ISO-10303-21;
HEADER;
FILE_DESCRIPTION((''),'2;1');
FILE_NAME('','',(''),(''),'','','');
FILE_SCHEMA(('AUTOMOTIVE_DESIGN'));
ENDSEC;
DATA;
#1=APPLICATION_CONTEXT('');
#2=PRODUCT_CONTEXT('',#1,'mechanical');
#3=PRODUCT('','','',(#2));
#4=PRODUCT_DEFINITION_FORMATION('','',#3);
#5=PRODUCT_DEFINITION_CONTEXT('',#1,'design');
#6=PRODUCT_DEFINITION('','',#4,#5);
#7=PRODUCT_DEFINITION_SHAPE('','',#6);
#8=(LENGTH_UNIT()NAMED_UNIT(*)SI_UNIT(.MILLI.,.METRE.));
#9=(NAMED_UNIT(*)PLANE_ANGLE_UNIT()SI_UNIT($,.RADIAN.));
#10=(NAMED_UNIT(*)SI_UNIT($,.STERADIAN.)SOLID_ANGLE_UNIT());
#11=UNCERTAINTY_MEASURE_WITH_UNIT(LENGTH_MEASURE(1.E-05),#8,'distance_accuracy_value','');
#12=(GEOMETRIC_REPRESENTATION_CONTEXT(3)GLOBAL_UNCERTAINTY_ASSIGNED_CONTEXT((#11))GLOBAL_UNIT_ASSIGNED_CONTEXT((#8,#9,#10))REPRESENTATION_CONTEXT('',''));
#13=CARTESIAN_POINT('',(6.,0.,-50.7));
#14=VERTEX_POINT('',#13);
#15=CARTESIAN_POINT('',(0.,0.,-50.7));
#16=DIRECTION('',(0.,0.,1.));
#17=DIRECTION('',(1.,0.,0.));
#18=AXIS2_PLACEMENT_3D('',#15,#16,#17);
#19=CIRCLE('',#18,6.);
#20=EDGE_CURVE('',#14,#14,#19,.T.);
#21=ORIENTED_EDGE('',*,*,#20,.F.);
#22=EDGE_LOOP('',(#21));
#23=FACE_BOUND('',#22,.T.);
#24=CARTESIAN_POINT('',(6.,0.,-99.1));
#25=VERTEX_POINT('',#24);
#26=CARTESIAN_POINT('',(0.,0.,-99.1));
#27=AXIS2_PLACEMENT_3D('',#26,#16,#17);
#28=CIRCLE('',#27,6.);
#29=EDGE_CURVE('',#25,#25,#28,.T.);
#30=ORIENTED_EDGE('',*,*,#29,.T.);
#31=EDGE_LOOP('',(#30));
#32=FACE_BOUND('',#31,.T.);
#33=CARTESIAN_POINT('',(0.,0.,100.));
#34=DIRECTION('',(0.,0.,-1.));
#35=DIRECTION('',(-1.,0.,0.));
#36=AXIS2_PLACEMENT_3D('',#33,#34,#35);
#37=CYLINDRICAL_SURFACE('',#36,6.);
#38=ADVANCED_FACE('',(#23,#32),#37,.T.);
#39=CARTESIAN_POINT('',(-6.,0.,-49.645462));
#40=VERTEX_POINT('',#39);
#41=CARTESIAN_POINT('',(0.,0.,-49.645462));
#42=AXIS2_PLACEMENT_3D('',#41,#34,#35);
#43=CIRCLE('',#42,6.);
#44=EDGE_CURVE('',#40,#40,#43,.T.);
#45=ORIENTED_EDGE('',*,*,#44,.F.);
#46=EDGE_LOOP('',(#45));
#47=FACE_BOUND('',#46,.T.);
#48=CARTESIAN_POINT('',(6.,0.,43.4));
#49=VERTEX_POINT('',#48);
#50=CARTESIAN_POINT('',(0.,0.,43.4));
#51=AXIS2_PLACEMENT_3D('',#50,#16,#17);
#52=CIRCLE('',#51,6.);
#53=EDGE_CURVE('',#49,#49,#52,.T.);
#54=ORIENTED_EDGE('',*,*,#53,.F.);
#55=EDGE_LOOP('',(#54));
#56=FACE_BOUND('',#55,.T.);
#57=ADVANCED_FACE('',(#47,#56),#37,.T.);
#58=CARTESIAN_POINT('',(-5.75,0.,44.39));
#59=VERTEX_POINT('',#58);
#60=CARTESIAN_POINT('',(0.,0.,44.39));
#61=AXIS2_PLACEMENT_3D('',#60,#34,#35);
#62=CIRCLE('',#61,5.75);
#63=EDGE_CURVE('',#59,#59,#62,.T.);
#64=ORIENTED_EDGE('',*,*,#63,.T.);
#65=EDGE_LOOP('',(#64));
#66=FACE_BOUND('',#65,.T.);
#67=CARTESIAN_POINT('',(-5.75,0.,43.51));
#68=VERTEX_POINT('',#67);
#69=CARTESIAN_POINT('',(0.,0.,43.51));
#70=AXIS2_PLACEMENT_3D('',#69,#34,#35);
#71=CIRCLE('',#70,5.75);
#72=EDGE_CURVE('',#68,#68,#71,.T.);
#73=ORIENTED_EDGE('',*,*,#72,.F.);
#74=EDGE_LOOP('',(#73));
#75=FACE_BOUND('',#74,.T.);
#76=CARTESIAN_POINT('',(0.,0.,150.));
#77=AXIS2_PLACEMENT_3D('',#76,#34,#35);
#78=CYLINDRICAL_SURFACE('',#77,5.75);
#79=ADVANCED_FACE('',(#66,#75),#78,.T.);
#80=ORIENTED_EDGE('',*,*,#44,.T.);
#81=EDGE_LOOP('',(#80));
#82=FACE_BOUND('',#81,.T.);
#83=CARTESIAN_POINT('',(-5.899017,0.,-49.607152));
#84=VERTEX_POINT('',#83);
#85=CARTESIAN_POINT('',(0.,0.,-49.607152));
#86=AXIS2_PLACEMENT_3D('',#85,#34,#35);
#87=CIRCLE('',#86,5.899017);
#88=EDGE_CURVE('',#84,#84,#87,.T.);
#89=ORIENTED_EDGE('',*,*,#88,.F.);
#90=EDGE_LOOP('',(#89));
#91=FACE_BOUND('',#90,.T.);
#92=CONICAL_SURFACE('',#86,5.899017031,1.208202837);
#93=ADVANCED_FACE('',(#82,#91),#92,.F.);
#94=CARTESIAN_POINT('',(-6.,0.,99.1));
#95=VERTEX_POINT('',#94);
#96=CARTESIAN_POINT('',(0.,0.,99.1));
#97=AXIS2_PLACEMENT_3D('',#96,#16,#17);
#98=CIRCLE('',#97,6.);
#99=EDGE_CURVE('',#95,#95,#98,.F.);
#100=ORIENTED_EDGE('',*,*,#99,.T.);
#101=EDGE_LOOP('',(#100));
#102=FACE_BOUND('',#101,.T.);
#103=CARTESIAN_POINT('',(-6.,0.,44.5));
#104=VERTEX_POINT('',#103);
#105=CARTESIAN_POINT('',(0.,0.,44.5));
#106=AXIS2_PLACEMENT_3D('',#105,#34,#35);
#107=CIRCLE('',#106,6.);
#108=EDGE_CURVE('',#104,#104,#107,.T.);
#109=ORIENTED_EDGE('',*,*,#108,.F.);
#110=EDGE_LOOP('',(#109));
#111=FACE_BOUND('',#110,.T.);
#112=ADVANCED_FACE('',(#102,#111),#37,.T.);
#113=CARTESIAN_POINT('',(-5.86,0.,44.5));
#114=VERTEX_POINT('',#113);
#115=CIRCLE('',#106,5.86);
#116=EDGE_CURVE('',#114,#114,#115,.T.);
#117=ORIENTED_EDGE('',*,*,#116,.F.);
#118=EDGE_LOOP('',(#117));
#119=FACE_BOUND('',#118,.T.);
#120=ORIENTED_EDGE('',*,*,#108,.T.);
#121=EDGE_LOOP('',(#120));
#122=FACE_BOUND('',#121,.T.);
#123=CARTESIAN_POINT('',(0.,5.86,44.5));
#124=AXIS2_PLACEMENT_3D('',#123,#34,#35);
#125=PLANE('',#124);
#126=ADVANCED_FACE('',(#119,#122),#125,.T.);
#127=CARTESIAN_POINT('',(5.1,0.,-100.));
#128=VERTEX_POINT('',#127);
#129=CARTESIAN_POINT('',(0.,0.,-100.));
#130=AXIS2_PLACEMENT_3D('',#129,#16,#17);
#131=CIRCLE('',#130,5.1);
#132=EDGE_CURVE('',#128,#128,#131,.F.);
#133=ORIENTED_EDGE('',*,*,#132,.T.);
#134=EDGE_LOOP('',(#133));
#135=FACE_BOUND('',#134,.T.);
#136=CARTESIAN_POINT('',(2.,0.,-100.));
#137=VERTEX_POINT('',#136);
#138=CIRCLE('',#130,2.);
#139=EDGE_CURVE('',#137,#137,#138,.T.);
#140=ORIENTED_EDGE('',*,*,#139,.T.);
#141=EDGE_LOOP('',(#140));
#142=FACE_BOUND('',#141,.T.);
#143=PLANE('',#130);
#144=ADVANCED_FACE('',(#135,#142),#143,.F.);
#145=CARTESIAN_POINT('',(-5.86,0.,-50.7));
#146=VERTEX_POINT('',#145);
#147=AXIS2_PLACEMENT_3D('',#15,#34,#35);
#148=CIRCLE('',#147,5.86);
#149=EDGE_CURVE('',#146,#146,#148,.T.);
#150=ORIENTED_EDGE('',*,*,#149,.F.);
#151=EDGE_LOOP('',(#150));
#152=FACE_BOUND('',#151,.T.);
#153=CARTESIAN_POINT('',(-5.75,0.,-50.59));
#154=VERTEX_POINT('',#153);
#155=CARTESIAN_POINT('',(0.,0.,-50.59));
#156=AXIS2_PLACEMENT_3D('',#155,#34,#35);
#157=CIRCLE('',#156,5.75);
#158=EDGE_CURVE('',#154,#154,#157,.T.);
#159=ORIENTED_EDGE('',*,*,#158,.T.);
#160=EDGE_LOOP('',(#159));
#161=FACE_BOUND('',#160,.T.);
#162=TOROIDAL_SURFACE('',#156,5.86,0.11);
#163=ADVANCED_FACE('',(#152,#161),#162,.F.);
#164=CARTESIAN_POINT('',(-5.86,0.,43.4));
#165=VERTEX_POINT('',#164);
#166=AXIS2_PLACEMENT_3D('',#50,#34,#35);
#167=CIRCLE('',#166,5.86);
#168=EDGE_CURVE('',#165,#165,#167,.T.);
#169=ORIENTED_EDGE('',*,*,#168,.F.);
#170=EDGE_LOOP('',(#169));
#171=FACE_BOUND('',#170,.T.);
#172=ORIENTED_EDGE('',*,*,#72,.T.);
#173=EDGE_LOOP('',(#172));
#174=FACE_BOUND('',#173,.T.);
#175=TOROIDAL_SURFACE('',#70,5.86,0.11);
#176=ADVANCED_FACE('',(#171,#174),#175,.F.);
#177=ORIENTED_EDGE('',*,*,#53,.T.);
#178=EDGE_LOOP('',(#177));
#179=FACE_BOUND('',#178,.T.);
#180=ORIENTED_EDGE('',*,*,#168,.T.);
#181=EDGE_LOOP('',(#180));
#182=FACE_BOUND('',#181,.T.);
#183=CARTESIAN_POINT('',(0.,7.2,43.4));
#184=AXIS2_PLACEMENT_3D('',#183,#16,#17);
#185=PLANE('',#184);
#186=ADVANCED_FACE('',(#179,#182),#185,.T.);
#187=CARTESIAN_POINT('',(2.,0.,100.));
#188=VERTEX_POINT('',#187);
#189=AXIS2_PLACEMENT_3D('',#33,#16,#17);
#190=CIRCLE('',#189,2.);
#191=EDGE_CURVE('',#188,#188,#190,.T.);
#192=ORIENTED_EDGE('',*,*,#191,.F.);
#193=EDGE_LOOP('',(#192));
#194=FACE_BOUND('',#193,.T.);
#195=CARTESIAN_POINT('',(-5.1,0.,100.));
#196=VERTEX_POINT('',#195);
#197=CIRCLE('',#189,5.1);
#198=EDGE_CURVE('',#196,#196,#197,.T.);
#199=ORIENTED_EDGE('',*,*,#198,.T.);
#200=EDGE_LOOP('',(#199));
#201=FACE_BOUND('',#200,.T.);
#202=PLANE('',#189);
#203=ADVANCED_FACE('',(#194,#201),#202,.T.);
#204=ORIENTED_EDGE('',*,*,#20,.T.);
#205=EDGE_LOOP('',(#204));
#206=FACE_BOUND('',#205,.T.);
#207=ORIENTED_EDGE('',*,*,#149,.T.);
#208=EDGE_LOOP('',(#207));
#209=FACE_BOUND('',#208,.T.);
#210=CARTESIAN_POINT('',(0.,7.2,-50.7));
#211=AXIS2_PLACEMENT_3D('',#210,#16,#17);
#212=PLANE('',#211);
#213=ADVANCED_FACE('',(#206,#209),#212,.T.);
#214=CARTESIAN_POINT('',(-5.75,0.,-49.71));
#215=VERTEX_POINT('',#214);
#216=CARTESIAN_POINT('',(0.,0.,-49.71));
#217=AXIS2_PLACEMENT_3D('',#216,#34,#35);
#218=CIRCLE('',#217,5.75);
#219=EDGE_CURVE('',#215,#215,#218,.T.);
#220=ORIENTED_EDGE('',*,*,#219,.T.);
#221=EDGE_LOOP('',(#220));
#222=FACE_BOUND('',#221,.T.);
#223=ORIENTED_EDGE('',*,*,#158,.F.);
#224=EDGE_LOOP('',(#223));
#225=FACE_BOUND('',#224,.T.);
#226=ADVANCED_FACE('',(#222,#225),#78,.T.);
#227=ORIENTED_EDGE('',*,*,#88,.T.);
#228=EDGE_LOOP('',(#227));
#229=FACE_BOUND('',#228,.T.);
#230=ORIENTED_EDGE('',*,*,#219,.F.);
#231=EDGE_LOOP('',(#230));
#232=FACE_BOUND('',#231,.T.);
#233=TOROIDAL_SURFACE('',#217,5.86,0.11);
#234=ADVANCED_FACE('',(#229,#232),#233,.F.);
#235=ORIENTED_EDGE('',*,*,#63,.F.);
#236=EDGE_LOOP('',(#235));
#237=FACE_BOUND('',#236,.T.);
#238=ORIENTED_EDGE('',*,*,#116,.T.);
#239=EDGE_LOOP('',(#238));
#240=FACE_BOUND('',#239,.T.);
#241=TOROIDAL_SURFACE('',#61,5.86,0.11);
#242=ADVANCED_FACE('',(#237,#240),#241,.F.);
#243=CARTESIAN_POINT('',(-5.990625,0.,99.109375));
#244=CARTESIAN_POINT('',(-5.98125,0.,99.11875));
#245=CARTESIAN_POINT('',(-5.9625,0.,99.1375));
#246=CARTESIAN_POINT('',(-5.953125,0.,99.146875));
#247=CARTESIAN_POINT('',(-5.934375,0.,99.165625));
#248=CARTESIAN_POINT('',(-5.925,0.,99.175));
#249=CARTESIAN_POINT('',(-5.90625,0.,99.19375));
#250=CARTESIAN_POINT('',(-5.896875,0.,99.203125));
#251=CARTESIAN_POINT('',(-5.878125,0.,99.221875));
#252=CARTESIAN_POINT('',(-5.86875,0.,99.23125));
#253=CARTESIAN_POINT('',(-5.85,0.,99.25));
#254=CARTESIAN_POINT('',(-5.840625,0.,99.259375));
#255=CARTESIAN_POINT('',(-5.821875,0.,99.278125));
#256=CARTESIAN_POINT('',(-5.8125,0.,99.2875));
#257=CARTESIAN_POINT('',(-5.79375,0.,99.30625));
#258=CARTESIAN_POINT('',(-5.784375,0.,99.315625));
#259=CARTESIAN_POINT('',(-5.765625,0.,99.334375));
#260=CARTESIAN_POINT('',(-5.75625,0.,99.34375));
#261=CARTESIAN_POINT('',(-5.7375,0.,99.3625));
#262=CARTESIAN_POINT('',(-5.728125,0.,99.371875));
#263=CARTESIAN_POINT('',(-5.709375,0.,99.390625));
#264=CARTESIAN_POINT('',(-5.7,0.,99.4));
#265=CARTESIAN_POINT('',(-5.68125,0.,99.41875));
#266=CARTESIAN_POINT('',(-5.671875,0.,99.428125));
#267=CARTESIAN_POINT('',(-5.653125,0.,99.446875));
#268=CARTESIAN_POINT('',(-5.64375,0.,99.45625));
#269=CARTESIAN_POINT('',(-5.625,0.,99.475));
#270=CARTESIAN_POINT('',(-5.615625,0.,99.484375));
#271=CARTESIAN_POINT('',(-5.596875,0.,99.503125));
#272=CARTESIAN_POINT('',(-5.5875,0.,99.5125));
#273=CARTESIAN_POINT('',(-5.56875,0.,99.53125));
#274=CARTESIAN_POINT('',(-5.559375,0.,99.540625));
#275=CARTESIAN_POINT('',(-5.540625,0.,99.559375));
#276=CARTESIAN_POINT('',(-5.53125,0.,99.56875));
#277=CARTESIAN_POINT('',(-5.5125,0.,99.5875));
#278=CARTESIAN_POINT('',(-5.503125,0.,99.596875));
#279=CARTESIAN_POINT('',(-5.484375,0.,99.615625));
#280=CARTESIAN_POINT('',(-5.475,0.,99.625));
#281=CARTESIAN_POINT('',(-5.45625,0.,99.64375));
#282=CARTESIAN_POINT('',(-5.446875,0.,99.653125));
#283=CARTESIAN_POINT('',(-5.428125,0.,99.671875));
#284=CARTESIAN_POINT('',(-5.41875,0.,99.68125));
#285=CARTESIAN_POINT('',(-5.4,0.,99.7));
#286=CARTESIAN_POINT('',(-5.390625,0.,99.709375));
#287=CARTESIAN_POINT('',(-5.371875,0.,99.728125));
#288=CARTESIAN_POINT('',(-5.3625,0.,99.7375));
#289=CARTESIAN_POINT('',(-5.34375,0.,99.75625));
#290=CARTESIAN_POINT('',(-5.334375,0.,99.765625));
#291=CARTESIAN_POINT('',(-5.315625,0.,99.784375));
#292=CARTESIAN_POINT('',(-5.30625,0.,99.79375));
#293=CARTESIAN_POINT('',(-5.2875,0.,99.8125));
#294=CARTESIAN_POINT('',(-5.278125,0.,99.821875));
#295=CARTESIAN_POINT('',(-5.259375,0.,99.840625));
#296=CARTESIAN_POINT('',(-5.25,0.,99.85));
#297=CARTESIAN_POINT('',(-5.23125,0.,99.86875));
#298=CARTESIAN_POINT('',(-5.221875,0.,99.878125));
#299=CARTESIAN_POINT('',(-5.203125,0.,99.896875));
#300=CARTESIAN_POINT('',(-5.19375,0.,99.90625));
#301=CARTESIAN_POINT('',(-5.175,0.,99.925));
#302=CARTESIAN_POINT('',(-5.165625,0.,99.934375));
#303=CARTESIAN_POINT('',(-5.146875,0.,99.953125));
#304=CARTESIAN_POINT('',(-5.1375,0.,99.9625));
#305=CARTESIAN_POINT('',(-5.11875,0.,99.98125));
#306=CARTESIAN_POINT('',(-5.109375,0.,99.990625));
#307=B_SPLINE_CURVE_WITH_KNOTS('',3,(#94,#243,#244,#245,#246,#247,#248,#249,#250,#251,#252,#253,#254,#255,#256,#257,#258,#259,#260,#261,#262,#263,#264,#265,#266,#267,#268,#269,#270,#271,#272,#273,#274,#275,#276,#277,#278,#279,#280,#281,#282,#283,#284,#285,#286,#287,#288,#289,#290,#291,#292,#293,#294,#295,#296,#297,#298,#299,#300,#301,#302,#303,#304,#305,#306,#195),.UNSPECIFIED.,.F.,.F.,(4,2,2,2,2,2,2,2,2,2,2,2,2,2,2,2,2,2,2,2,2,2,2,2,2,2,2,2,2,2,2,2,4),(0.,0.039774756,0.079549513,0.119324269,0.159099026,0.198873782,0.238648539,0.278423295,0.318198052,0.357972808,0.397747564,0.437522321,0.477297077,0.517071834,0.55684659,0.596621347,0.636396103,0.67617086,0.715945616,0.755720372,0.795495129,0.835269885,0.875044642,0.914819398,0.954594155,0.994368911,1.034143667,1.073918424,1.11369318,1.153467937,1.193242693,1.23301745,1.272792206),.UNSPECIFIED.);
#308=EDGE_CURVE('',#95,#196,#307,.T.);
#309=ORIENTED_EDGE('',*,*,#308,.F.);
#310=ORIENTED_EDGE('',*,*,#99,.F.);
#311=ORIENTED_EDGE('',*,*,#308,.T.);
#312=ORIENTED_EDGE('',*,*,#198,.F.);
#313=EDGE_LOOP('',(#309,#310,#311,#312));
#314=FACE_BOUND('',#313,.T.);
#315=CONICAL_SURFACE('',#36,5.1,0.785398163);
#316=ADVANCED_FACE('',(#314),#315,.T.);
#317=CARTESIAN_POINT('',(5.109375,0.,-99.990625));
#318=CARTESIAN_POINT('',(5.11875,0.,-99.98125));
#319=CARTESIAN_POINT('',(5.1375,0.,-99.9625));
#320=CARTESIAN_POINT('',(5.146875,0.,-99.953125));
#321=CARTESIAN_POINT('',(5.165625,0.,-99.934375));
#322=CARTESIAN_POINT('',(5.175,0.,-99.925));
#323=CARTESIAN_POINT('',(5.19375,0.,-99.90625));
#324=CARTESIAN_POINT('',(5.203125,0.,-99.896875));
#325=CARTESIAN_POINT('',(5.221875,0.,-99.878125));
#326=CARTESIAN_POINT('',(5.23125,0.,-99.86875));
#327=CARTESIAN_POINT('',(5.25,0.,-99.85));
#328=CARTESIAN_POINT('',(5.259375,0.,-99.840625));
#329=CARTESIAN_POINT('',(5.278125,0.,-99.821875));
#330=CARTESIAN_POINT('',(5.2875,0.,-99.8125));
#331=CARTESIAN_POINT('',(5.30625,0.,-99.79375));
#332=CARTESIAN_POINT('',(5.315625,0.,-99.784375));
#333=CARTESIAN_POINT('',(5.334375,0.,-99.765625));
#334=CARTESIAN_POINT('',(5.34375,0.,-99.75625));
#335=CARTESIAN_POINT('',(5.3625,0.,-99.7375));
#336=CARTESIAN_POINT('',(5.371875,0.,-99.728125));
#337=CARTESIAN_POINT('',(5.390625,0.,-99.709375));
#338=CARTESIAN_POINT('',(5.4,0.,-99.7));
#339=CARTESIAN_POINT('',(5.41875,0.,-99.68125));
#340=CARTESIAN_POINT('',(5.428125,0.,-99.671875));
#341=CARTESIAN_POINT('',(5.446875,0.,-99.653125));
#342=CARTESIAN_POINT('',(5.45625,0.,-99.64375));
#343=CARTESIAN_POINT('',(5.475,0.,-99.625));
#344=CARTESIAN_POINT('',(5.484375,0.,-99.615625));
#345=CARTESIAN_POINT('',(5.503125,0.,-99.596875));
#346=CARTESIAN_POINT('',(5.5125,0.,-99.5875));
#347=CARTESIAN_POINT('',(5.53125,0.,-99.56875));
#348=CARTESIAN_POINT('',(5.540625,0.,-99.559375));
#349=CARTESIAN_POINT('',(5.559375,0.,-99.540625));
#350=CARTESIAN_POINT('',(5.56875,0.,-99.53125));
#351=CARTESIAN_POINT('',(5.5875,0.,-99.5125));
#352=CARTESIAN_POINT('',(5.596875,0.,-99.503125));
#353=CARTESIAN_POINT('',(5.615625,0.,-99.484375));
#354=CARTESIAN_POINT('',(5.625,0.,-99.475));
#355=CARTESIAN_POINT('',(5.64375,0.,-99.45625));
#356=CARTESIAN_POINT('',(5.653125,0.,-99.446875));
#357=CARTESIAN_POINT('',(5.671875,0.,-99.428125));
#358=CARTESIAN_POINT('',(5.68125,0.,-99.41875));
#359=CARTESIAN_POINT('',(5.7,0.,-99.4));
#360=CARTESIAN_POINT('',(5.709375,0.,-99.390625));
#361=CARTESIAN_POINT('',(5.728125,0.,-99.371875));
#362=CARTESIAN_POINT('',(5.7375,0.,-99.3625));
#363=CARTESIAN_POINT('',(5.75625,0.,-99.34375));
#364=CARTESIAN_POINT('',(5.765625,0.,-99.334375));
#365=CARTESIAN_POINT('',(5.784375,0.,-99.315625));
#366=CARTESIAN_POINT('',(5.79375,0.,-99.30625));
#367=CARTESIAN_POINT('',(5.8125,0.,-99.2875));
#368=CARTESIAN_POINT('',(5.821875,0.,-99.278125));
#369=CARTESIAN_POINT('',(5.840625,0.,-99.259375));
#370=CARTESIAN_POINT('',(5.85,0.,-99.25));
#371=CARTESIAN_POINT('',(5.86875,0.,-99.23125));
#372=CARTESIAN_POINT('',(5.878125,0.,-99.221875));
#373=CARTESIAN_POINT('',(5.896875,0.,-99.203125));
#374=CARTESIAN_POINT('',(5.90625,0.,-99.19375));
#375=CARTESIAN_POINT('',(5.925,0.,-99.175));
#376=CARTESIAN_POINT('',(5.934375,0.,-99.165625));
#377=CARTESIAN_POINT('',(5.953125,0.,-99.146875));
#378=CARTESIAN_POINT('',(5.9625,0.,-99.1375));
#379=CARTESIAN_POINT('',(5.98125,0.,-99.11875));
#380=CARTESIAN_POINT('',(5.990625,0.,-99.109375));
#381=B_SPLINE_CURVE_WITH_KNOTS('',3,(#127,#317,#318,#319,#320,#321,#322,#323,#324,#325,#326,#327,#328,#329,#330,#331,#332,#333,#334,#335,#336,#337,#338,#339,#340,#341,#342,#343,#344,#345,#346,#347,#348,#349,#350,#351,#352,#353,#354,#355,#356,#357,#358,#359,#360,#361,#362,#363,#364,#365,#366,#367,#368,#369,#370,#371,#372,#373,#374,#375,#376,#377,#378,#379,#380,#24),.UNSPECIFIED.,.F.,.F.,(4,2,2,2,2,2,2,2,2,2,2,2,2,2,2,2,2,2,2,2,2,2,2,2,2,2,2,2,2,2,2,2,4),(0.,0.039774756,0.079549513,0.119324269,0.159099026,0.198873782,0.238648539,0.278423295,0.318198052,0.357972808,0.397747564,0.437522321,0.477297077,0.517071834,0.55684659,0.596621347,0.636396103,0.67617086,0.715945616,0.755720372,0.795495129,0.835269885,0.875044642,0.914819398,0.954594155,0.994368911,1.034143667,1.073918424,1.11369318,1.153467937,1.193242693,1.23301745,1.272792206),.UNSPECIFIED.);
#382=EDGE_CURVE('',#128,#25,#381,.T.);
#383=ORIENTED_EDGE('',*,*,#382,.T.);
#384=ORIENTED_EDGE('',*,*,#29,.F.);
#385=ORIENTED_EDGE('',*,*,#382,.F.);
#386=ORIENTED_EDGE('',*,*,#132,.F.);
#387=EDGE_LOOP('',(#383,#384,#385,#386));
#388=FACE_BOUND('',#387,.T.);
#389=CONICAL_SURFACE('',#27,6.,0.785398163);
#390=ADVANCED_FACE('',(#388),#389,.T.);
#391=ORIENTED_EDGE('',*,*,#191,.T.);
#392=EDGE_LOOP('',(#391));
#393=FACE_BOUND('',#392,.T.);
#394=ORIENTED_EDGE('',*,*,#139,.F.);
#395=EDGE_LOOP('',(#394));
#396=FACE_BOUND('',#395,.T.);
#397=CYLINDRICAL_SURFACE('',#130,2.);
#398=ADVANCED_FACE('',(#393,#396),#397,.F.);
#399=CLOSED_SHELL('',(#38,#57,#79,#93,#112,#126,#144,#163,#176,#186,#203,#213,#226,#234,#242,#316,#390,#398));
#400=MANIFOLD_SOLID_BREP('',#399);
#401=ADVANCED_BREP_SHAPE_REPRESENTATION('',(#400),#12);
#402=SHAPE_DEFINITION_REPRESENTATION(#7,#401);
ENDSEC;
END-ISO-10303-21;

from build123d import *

# Parameters (mm, degrees)
SKETCH1_R           = 6
EXTRUDE1_DEPTH      = 100
CHAMFER1_SIZE       = 0.9
EXTRUDE3_DEPTH      = 101.359354322
EXTRUDE3_DEPTH_BACK = 101.359354322
SKETCH2_R           = 2


with BuildPart() as part:
    # Sketch1 → Extrude1 (new, symmetric)
    with BuildSketch(Plane.XY):
        Circle(SKETCH1_R)
    extrude(amount=EXTRUDE1_DEPTH, both=True)

    # Chamfer1
    chamfer1_edges = [part.edges().sort_by_distance(p)[0] for p in [
        (-6, 0, -100),
        (-6, 0, 100),
    ]]
    chamfer(chamfer1_edges, length=CHAMFER1_SIZE)

    # Sketch2 → Extrude3 (cut, two sides: drawn at the far end of the back side and taken through both)
    with BuildSketch(Plane.XY.offset(-EXTRUDE3_DEPTH_BACK)):
        Circle(SKETCH2_R)
    extrude(amount=EXTRUDE3_DEPTH + EXTRUDE3_DEPTH_BACK, mode=Mode.SUBTRACT)

    # Sketch5 → Groove for DIN 471 - 12 x 1_ Circlip for (revolve, cut)
    with BuildSketch(Plane(origin=(0, 0, 100), x_dir=(0, 1, 0), z_dir=(-1, 0, 0)), mode=Mode.PRIVATE) as groove_for_din_471_12_x_1_circlip_for_sk:
        with BuildLine():
            Line((5.86, 55.5), (7.2, 55.5))
            Line((7.2, 55.5), (7.2, 56.6))
            Line((7.2, 56.6), (5.86, 56.6))
            ThreePointArc((5.86, 56.6), (5.782218254, 56.567781746), (5.75, 56.49))
            Line((5.75, 56.49), (5.75, 55.61))
            ThreePointArc((5.75, 55.61), (5.782218254, 55.532218254), (5.86, 55.5))
        make_face()
    revolve(groove_for_din_471_12_x_1_circlip_for_sk.sketch.rotate(Axis((0, 0, 150), (0, 0, -1)), 270), axis=Axis((0, 0, 150), (0, 0, -1)), mode=Mode.SUBTRACT)

    # Sketch7 → Groove for DIN 471 - 12 x 1_ Circlip 2 (revolve, cut)
    with BuildSketch(Plane(origin=(0, 0, 100), x_dir=(0, 1, 0), z_dir=(-1, 0, 0)), mode=Mode.PRIVATE) as groove_for_din_471_12_x_1_circlip_2_sk:
        with BuildLine():
            Line((5.899017031, 149.607152194), (7.198150102, 150.1))
            Line((7.198150102, 150.1), (7.2, 150.7))
            Line((7.2, 150.7), (5.86, 150.7))
            ThreePointArc((5.86, 150.7), (5.782218254, 150.667781746), (5.75, 150.59))
            Line((5.75, 150.59), (5.75, 149.71))
            ThreePointArc((5.75, 149.71), (5.797517496, 149.619468587), (5.899017031, 149.607152194))
        make_face()
    revolve(groove_for_din_471_12_x_1_circlip_2_sk.sketch.rotate(Axis((0, 0, 150), (0, 0, -1)), 270), axis=Axis((0, 0, 150), (0, 0, -1)), mode=Mode.SUBTRACT)


solid = part.part
